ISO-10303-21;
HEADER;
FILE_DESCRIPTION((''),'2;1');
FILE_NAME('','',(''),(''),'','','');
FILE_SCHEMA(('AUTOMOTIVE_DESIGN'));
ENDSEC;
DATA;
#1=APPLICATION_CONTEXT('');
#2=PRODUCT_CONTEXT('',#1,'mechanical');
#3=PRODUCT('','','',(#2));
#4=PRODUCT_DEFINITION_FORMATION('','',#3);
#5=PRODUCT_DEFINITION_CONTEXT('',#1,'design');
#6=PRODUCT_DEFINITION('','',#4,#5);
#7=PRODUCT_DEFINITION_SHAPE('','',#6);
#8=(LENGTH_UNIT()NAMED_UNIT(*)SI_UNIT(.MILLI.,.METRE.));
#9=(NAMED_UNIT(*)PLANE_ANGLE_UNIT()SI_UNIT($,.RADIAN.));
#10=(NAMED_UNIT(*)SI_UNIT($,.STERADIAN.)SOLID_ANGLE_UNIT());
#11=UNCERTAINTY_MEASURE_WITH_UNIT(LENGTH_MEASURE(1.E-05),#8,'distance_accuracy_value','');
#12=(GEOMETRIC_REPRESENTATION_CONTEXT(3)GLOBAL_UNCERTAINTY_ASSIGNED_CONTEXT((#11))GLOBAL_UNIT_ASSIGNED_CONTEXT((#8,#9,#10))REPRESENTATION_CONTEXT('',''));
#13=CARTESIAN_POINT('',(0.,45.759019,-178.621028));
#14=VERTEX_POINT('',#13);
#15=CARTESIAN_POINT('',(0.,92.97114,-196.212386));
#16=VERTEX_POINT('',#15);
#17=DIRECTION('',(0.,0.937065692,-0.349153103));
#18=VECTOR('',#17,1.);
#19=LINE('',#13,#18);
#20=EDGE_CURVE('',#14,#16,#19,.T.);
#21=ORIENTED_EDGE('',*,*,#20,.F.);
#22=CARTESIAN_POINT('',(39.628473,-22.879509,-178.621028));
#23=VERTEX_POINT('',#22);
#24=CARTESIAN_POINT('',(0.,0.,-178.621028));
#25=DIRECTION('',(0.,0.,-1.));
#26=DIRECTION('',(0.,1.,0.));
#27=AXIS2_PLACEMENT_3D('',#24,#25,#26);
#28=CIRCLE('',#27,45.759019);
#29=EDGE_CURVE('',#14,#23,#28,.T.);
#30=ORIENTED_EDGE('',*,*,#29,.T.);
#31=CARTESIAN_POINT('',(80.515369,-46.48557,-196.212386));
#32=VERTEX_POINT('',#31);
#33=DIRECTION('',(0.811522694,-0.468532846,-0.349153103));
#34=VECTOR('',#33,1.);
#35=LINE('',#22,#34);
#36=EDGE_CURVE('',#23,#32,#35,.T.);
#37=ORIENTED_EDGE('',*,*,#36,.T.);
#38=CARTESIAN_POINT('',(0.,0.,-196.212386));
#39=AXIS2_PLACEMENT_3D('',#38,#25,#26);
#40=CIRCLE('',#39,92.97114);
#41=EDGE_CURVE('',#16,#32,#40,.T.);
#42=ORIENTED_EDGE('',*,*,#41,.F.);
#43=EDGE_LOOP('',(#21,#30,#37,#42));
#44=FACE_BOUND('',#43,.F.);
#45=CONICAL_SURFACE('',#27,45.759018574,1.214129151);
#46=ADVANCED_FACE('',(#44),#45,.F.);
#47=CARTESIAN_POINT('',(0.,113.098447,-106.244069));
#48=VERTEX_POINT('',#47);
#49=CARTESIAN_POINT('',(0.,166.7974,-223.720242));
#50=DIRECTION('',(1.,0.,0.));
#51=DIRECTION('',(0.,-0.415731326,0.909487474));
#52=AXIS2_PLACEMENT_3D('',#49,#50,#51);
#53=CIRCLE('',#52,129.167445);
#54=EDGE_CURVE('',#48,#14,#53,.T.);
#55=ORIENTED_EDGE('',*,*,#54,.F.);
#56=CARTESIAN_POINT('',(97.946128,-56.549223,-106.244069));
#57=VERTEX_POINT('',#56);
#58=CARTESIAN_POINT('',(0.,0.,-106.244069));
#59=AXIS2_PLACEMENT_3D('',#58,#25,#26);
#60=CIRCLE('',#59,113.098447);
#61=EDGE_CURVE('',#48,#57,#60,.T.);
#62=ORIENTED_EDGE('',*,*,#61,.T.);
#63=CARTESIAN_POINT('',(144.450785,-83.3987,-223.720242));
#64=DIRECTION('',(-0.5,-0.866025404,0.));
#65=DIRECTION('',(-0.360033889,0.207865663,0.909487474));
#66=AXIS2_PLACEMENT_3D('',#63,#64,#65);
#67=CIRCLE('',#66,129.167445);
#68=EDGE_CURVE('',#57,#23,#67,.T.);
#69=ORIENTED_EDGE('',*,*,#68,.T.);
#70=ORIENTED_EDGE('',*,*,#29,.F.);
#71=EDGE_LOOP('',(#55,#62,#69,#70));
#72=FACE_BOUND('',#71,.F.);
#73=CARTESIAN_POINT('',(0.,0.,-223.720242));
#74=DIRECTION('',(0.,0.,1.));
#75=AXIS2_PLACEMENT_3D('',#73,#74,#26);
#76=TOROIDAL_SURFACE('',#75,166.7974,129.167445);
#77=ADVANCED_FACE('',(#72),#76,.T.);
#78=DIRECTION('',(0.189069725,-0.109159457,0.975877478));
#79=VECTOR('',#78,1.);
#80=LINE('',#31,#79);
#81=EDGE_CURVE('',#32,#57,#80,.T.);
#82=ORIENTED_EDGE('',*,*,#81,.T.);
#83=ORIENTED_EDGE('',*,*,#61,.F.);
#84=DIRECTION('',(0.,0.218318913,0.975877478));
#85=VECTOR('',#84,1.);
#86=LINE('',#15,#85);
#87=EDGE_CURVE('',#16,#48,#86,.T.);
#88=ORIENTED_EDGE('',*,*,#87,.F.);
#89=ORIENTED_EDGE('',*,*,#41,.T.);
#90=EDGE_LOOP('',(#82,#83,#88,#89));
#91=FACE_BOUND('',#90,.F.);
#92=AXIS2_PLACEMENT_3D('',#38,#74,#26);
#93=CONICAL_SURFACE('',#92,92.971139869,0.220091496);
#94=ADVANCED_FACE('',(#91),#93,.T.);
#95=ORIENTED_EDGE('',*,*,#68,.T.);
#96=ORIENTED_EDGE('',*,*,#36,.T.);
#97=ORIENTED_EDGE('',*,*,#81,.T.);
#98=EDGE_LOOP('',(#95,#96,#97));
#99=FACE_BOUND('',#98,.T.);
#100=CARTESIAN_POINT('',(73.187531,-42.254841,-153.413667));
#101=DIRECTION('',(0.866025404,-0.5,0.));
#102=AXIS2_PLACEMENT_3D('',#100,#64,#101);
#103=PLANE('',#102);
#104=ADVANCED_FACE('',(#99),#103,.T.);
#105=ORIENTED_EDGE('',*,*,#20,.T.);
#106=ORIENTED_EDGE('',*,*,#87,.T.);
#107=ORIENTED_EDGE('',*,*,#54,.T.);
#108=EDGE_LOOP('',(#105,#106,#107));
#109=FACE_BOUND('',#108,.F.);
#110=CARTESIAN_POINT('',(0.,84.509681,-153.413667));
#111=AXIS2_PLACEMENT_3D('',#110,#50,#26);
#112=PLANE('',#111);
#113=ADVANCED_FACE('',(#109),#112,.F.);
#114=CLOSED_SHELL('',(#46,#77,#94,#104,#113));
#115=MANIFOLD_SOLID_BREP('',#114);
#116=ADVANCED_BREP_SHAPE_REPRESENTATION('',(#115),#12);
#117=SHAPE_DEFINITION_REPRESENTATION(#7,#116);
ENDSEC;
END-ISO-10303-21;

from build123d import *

# Parameters (mm, degrees)
F2_ANGLE_BACK = 90
F2_ANGLE      = 120


with BuildPart() as f2:
    # F0 (on Front) → F2 (revolve)
    with BuildSketch(Plane.XZ, mode=Mode.PRIVATE) as f2_sk:
        with BuildLine():
            ThreePointArc((113.0984465701, -106.2440686194), (72.2305448198, -135.7353635996), (45.7590185737, -178.6210275361))
            Line((45.7590185737, -178.6210275361), (92.9711398687, -196.2123861883))
            Line((92.9711398687, -196.2123861883), (113.0984465701, -106.2440686194))
        make_face()
    revolve(f2_sk.sketch.rotate(Axis((0, 0, 3.3618081361), (0, 0, -1)), -F2_ANGLE_BACK), axis=Axis((0, 0, 3.3618081361), (0, 0, -1)), revolution_arc=F2_ANGLE)


solid = f2.part
